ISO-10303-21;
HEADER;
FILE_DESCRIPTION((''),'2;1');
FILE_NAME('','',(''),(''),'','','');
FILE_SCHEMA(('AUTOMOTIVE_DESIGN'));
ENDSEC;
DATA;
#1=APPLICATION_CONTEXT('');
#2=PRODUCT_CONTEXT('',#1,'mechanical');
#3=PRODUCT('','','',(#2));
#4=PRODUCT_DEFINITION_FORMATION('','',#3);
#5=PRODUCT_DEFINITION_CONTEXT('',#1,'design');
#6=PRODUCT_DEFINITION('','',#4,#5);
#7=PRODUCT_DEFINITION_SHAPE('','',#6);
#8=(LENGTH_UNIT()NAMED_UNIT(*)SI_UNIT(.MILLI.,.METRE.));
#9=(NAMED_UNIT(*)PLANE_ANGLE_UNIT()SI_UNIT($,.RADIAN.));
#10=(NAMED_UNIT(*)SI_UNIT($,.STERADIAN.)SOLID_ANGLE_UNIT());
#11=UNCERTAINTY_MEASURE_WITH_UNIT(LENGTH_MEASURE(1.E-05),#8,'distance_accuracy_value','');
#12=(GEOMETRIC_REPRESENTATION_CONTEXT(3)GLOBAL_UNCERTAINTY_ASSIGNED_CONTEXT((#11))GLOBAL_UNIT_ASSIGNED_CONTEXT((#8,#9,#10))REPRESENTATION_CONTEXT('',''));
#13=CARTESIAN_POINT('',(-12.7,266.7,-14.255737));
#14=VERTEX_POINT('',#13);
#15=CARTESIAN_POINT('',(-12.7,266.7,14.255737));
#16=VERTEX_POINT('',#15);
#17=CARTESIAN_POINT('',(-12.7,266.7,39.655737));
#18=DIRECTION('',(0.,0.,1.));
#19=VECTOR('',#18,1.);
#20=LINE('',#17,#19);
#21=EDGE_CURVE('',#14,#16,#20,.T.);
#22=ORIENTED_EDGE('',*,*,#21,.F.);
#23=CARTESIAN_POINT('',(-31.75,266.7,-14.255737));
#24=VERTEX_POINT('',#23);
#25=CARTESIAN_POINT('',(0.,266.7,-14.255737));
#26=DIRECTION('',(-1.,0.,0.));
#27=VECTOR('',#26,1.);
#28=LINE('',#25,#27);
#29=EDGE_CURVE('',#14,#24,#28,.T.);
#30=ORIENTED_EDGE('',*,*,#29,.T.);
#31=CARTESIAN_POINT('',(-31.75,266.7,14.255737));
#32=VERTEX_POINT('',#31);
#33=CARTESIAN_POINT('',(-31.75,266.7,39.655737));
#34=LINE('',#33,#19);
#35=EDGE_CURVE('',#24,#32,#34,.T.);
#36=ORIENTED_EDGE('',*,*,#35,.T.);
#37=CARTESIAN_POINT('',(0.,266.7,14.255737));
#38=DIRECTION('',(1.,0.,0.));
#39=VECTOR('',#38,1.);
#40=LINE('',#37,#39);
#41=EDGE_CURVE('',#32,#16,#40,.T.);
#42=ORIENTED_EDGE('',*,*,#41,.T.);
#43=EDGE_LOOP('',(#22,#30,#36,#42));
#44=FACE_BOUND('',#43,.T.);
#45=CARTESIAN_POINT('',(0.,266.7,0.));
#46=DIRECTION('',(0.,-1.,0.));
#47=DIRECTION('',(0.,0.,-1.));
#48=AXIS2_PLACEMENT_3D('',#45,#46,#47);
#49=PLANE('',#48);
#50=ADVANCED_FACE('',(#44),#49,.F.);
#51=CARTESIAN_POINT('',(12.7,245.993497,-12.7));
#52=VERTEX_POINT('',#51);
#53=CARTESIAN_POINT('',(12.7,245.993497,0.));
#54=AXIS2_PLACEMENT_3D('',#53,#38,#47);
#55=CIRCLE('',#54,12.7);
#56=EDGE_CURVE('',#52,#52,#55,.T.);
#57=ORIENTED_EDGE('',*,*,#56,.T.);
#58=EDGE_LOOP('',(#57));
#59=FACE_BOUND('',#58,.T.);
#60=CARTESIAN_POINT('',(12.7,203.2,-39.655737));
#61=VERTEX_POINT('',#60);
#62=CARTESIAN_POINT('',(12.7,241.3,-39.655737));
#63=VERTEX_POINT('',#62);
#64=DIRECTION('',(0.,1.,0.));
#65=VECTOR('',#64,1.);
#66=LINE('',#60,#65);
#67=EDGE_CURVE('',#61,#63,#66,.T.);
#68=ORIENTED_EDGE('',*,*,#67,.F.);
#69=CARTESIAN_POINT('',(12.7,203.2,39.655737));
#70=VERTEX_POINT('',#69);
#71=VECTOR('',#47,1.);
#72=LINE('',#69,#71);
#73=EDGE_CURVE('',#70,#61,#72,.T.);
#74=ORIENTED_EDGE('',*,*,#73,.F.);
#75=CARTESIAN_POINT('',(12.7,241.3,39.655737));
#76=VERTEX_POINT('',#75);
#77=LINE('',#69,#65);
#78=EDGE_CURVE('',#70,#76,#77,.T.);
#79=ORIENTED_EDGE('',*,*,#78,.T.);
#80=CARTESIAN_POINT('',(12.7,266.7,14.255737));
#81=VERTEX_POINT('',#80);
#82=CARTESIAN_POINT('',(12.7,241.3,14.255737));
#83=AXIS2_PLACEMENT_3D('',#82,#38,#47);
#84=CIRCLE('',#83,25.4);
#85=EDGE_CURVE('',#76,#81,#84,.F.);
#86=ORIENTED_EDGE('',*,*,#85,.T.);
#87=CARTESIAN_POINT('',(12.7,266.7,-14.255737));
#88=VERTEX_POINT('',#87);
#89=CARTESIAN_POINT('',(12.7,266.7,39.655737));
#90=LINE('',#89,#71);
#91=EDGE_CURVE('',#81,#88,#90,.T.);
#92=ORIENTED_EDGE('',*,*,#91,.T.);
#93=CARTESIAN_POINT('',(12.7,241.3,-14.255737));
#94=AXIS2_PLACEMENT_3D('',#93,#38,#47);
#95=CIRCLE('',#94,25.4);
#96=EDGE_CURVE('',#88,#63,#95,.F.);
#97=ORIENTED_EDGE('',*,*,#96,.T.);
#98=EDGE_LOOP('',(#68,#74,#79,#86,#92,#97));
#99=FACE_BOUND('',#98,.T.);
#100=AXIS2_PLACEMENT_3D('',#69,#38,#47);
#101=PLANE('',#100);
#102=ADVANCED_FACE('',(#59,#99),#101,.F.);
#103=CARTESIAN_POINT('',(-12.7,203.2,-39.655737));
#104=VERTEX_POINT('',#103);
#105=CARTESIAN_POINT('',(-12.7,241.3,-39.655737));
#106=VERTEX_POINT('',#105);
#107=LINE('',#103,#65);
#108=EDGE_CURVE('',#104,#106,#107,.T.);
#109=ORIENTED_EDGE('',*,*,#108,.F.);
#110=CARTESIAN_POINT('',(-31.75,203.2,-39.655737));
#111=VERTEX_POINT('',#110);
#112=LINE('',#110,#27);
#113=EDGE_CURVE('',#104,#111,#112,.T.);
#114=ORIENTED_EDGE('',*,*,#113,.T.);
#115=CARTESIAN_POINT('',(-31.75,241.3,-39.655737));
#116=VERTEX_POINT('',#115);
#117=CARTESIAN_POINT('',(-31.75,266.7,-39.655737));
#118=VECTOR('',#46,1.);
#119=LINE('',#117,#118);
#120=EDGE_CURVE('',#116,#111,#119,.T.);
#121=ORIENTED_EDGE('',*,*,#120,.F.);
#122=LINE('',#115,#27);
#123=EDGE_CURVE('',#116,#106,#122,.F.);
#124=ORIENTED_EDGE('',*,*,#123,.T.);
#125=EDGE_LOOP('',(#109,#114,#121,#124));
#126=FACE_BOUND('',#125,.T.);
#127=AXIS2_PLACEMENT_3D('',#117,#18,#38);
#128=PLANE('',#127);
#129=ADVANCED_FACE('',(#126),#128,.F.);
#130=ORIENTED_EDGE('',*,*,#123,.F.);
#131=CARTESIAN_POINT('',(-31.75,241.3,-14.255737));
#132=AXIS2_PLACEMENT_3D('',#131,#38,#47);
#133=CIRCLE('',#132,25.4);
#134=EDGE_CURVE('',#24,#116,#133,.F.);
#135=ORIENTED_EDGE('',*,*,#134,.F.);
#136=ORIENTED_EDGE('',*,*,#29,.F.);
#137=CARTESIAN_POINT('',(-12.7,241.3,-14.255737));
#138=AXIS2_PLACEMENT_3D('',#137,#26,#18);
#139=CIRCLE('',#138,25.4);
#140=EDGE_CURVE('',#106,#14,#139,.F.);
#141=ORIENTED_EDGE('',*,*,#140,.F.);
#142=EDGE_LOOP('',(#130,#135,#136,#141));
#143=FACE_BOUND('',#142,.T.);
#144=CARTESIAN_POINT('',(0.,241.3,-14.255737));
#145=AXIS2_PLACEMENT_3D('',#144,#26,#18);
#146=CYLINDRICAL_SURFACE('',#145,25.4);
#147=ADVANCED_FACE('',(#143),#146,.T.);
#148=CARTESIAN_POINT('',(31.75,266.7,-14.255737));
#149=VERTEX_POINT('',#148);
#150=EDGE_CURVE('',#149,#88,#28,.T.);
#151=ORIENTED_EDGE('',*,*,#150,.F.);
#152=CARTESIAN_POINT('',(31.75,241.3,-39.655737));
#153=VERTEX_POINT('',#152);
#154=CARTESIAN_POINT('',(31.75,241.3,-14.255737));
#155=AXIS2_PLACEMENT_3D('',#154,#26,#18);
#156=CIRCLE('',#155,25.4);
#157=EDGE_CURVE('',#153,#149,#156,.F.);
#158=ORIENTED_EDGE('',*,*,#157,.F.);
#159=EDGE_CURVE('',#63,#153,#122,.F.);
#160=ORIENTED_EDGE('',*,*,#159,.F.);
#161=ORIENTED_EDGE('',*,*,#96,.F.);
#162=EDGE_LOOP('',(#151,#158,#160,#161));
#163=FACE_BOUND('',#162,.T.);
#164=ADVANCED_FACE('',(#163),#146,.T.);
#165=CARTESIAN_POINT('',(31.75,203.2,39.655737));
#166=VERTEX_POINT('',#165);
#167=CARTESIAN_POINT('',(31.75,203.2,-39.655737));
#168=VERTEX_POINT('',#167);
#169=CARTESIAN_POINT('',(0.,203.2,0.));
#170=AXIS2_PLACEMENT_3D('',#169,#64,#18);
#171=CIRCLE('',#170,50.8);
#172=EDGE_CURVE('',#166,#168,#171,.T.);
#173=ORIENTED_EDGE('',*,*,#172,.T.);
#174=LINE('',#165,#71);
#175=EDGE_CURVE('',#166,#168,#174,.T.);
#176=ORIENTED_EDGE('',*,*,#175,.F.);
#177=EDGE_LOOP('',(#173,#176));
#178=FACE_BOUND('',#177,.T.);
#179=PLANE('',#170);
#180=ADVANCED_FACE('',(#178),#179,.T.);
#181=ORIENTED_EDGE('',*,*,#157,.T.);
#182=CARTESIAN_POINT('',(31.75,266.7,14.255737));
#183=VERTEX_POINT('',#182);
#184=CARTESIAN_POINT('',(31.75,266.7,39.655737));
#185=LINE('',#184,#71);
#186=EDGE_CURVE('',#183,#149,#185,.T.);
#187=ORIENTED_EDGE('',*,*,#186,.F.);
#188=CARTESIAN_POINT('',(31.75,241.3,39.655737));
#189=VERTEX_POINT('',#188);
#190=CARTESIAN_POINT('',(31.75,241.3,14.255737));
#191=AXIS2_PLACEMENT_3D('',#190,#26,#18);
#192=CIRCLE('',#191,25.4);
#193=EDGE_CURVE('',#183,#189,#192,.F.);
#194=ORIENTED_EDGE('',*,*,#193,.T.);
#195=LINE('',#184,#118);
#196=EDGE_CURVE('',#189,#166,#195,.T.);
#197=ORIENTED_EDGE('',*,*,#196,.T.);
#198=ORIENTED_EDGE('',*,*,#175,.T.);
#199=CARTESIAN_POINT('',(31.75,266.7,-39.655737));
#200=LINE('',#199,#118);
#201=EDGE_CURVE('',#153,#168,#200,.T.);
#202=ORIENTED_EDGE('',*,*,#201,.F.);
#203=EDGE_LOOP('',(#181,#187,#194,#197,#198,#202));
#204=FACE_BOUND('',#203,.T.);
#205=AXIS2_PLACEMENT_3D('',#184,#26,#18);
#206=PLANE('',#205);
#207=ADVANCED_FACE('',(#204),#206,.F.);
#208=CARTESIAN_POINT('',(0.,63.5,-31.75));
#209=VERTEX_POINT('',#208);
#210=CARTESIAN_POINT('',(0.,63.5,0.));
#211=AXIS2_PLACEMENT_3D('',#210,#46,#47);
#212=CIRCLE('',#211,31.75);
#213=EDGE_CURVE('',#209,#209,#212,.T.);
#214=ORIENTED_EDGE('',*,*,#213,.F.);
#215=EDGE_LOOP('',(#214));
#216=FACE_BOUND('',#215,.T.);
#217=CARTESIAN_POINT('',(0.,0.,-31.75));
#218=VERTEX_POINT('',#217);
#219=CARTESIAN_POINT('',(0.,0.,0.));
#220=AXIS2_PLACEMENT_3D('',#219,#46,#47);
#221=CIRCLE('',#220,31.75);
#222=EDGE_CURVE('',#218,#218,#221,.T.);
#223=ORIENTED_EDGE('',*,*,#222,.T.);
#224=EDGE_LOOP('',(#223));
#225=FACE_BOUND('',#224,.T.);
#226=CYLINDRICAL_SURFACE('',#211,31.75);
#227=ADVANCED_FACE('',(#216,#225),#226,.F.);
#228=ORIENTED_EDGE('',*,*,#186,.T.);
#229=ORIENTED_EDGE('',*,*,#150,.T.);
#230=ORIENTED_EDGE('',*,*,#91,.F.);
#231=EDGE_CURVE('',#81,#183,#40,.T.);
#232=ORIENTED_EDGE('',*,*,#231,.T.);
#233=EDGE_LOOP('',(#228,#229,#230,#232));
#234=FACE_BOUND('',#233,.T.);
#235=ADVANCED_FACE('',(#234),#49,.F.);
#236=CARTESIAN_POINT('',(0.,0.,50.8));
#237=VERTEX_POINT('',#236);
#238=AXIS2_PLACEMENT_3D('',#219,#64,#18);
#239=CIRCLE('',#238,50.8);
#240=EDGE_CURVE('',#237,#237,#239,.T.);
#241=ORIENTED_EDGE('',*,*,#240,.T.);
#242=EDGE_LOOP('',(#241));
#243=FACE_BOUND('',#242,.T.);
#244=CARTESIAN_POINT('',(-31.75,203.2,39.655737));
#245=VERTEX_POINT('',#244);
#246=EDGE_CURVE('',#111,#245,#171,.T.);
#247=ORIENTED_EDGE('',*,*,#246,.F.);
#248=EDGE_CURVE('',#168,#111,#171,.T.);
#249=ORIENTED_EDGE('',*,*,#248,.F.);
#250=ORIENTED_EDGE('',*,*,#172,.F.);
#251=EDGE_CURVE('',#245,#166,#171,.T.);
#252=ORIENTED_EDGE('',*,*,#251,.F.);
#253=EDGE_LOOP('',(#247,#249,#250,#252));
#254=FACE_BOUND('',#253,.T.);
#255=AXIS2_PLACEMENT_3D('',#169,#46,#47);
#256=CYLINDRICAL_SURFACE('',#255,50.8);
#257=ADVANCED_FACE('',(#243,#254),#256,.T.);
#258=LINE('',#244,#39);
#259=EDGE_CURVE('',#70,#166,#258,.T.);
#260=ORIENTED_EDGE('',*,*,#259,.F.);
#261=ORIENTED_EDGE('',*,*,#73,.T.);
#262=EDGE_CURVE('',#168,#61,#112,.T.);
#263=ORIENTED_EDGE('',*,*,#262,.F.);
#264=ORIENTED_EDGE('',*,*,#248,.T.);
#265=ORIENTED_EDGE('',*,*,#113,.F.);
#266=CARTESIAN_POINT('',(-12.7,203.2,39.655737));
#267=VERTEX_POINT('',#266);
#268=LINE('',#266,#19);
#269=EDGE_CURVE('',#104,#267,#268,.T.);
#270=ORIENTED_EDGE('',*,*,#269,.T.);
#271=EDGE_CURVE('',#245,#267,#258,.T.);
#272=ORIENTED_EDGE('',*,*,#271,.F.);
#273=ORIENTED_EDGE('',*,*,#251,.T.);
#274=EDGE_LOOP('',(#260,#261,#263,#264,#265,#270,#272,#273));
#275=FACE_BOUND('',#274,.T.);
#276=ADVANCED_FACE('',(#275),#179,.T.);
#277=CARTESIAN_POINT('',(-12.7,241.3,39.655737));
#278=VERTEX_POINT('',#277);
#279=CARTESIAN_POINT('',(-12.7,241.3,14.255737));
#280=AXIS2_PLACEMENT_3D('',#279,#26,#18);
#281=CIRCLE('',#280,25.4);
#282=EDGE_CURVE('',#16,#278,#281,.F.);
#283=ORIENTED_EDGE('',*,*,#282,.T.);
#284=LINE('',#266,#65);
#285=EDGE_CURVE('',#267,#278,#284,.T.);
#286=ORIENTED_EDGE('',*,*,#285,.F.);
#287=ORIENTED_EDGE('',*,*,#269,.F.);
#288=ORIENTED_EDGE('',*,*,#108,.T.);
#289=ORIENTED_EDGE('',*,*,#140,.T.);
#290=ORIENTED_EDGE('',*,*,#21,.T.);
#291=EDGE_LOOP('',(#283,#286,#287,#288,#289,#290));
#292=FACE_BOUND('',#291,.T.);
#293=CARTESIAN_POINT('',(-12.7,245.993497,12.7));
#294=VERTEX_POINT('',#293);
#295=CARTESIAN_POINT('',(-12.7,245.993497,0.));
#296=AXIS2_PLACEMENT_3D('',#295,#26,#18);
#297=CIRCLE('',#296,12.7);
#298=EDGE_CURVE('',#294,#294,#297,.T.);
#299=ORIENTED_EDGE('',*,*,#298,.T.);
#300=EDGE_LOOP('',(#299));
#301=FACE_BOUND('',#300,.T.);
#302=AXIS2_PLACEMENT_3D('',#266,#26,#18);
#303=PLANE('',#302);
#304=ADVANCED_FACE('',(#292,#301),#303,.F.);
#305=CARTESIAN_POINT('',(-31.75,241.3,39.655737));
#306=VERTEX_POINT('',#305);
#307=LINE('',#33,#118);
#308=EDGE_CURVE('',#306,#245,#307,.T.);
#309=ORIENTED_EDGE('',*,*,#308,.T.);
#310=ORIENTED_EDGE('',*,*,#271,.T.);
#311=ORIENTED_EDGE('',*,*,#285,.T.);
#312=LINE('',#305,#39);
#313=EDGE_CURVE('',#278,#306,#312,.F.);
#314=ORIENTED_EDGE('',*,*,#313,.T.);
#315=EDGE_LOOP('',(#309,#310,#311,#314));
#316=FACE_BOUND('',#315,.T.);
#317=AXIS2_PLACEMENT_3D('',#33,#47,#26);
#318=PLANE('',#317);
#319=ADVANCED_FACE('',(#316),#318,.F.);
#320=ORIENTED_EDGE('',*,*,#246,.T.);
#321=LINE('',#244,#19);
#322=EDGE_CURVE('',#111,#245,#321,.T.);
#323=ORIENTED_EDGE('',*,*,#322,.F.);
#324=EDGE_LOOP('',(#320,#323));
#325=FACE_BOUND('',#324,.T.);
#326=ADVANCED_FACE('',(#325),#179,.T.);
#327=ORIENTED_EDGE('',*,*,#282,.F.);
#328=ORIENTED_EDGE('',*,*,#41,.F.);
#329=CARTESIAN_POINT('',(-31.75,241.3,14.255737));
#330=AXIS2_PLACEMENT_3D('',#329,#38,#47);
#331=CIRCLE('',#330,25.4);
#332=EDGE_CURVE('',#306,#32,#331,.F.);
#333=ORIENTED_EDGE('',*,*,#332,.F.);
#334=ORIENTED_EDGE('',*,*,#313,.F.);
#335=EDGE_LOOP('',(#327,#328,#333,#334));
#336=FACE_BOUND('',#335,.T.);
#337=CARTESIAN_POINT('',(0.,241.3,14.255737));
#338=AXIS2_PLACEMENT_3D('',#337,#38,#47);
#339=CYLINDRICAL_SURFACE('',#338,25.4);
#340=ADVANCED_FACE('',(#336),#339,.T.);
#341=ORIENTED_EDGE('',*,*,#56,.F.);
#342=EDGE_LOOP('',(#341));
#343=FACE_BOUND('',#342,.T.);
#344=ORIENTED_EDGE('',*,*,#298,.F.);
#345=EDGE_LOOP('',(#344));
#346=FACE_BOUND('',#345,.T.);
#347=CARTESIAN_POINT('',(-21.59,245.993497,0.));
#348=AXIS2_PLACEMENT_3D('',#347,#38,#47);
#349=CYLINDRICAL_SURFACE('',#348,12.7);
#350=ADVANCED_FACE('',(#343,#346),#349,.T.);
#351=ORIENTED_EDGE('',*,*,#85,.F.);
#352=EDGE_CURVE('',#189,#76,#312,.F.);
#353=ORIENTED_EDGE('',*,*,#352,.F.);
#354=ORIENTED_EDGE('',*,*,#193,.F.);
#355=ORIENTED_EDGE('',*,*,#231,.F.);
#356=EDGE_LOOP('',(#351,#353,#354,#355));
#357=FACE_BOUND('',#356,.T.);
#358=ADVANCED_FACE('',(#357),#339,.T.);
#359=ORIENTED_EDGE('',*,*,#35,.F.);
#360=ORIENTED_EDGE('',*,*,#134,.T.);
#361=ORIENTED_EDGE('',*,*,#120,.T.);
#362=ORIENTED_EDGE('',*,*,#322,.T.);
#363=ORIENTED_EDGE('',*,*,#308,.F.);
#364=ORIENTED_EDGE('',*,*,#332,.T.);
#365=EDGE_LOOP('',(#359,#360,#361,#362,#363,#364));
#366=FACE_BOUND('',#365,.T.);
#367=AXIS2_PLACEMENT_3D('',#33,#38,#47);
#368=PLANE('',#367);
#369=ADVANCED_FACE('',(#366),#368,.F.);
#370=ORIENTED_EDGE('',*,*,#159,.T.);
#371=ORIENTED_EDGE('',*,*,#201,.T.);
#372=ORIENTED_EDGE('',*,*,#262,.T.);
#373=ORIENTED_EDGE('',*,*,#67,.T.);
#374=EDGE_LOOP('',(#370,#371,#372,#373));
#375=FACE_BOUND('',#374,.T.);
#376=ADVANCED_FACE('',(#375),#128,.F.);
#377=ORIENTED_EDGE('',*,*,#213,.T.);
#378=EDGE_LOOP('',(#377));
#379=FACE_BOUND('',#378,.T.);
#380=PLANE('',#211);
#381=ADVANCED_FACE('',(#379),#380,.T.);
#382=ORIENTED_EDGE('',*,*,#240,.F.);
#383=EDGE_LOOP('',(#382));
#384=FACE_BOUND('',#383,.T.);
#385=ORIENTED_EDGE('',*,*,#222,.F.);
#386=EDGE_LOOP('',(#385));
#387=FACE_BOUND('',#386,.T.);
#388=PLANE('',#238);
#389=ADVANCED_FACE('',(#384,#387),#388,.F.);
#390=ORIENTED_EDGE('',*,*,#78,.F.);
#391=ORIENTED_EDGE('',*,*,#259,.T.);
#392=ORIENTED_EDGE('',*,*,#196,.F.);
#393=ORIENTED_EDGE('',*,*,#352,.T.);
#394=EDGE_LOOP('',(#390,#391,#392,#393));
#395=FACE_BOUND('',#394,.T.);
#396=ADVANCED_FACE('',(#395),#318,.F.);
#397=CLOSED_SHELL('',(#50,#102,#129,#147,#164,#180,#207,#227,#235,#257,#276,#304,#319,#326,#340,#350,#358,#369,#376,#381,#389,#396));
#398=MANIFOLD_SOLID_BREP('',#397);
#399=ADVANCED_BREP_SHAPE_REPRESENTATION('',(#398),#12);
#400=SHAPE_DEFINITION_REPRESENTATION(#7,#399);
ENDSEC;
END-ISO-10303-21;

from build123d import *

# Parameters (mm, degrees)
SKETCH1_R           = 50.8
BOSS_EXTRUDE1_DEPTH = 203.2
SKETCH2_W           = 63.5
SKETCH2_H           = 79.31147458
BOSS_EXTRUDE2_DEPTH = 63.5
SKETCH3_W           = 25.4
SKETCH3_H           = 79.31147458
CUT_EXTRUDE1_DEPTH  = 63.5
FILLET1_R           = 25.4
SKETCH4_R           = 31.75
CUT_EXTRUDE2_DEPTH  = 63.5
SKETCH5_R           = 12.7
BOSS_EXTRUDE3_DEPTH = 53.34


with BuildPart() as part:
    # Sketch1 → Boss-Extrude1 (new body)
    with BuildSketch(Plane(origin=(0, 0, 0), x_dir=(1, 0, 0), z_dir=(0, 1, 0))):
        with Locations(Location((0, 0, 0), (0, 0, 270))):
            Circle(SKETCH1_R)
    extrude(amount=BOSS_EXTRUDE1_DEPTH)

    # Sketch2 → Boss-Extrude2 (add)
    with BuildSketch(Plane(origin=(0, 203.2, 0), x_dir=(1, 0, 0), z_dir=(0, 1, 0))):
        Rectangle(SKETCH2_W, SKETCH2_H)
    extrude(amount=BOSS_EXTRUDE2_DEPTH)

    # Sketch3 → Cut-Extrude1 (cut)
    with BuildSketch(Plane(origin=(0, 266.7, 0), x_dir=(1, 0, 0), z_dir=(0, 1, 0))):
        Rectangle(SKETCH3_W, SKETCH3_H)
    extrude(amount=-CUT_EXTRUDE1_DEPTH, mode=Mode.SUBTRACT)

    # Fillet1
    fillet1_edges = [part.edges().sort_by_distance(p)[0] for p in [
        (22.225, 266.7, -39.65573729),
        (-22.225, 266.7, 39.65573729),
        (-22.225, 266.7, -39.65573729),
        (22.225, 266.7, 39.65573729),
    ]]
    fillet(fillet1_edges, radius=FILLET1_R)

    # Sketch4 → Cut-Extrude2 (cut)
    with BuildSketch(Plane.XZ):
        with Locations(Location((0, 0, 0), (0, 0, 270))):
            Circle(SKETCH4_R)
    extrude(amount=-CUT_EXTRUDE2_DEPTH, mode=Mode.SUBTRACT)

    # Sketch5 → Boss-Extrude3 (add)
    with BuildSketch(Plane(origin=(31.75, 0, 0), x_dir=(0, 0, -1), z_dir=(1, 0, 0))):
        with Locations((0, 245.993497046)):
            Circle(SKETCH5_R)
    extrude(amount=-BOSS_EXTRUDE3_DEPTH)


solid = part.part
